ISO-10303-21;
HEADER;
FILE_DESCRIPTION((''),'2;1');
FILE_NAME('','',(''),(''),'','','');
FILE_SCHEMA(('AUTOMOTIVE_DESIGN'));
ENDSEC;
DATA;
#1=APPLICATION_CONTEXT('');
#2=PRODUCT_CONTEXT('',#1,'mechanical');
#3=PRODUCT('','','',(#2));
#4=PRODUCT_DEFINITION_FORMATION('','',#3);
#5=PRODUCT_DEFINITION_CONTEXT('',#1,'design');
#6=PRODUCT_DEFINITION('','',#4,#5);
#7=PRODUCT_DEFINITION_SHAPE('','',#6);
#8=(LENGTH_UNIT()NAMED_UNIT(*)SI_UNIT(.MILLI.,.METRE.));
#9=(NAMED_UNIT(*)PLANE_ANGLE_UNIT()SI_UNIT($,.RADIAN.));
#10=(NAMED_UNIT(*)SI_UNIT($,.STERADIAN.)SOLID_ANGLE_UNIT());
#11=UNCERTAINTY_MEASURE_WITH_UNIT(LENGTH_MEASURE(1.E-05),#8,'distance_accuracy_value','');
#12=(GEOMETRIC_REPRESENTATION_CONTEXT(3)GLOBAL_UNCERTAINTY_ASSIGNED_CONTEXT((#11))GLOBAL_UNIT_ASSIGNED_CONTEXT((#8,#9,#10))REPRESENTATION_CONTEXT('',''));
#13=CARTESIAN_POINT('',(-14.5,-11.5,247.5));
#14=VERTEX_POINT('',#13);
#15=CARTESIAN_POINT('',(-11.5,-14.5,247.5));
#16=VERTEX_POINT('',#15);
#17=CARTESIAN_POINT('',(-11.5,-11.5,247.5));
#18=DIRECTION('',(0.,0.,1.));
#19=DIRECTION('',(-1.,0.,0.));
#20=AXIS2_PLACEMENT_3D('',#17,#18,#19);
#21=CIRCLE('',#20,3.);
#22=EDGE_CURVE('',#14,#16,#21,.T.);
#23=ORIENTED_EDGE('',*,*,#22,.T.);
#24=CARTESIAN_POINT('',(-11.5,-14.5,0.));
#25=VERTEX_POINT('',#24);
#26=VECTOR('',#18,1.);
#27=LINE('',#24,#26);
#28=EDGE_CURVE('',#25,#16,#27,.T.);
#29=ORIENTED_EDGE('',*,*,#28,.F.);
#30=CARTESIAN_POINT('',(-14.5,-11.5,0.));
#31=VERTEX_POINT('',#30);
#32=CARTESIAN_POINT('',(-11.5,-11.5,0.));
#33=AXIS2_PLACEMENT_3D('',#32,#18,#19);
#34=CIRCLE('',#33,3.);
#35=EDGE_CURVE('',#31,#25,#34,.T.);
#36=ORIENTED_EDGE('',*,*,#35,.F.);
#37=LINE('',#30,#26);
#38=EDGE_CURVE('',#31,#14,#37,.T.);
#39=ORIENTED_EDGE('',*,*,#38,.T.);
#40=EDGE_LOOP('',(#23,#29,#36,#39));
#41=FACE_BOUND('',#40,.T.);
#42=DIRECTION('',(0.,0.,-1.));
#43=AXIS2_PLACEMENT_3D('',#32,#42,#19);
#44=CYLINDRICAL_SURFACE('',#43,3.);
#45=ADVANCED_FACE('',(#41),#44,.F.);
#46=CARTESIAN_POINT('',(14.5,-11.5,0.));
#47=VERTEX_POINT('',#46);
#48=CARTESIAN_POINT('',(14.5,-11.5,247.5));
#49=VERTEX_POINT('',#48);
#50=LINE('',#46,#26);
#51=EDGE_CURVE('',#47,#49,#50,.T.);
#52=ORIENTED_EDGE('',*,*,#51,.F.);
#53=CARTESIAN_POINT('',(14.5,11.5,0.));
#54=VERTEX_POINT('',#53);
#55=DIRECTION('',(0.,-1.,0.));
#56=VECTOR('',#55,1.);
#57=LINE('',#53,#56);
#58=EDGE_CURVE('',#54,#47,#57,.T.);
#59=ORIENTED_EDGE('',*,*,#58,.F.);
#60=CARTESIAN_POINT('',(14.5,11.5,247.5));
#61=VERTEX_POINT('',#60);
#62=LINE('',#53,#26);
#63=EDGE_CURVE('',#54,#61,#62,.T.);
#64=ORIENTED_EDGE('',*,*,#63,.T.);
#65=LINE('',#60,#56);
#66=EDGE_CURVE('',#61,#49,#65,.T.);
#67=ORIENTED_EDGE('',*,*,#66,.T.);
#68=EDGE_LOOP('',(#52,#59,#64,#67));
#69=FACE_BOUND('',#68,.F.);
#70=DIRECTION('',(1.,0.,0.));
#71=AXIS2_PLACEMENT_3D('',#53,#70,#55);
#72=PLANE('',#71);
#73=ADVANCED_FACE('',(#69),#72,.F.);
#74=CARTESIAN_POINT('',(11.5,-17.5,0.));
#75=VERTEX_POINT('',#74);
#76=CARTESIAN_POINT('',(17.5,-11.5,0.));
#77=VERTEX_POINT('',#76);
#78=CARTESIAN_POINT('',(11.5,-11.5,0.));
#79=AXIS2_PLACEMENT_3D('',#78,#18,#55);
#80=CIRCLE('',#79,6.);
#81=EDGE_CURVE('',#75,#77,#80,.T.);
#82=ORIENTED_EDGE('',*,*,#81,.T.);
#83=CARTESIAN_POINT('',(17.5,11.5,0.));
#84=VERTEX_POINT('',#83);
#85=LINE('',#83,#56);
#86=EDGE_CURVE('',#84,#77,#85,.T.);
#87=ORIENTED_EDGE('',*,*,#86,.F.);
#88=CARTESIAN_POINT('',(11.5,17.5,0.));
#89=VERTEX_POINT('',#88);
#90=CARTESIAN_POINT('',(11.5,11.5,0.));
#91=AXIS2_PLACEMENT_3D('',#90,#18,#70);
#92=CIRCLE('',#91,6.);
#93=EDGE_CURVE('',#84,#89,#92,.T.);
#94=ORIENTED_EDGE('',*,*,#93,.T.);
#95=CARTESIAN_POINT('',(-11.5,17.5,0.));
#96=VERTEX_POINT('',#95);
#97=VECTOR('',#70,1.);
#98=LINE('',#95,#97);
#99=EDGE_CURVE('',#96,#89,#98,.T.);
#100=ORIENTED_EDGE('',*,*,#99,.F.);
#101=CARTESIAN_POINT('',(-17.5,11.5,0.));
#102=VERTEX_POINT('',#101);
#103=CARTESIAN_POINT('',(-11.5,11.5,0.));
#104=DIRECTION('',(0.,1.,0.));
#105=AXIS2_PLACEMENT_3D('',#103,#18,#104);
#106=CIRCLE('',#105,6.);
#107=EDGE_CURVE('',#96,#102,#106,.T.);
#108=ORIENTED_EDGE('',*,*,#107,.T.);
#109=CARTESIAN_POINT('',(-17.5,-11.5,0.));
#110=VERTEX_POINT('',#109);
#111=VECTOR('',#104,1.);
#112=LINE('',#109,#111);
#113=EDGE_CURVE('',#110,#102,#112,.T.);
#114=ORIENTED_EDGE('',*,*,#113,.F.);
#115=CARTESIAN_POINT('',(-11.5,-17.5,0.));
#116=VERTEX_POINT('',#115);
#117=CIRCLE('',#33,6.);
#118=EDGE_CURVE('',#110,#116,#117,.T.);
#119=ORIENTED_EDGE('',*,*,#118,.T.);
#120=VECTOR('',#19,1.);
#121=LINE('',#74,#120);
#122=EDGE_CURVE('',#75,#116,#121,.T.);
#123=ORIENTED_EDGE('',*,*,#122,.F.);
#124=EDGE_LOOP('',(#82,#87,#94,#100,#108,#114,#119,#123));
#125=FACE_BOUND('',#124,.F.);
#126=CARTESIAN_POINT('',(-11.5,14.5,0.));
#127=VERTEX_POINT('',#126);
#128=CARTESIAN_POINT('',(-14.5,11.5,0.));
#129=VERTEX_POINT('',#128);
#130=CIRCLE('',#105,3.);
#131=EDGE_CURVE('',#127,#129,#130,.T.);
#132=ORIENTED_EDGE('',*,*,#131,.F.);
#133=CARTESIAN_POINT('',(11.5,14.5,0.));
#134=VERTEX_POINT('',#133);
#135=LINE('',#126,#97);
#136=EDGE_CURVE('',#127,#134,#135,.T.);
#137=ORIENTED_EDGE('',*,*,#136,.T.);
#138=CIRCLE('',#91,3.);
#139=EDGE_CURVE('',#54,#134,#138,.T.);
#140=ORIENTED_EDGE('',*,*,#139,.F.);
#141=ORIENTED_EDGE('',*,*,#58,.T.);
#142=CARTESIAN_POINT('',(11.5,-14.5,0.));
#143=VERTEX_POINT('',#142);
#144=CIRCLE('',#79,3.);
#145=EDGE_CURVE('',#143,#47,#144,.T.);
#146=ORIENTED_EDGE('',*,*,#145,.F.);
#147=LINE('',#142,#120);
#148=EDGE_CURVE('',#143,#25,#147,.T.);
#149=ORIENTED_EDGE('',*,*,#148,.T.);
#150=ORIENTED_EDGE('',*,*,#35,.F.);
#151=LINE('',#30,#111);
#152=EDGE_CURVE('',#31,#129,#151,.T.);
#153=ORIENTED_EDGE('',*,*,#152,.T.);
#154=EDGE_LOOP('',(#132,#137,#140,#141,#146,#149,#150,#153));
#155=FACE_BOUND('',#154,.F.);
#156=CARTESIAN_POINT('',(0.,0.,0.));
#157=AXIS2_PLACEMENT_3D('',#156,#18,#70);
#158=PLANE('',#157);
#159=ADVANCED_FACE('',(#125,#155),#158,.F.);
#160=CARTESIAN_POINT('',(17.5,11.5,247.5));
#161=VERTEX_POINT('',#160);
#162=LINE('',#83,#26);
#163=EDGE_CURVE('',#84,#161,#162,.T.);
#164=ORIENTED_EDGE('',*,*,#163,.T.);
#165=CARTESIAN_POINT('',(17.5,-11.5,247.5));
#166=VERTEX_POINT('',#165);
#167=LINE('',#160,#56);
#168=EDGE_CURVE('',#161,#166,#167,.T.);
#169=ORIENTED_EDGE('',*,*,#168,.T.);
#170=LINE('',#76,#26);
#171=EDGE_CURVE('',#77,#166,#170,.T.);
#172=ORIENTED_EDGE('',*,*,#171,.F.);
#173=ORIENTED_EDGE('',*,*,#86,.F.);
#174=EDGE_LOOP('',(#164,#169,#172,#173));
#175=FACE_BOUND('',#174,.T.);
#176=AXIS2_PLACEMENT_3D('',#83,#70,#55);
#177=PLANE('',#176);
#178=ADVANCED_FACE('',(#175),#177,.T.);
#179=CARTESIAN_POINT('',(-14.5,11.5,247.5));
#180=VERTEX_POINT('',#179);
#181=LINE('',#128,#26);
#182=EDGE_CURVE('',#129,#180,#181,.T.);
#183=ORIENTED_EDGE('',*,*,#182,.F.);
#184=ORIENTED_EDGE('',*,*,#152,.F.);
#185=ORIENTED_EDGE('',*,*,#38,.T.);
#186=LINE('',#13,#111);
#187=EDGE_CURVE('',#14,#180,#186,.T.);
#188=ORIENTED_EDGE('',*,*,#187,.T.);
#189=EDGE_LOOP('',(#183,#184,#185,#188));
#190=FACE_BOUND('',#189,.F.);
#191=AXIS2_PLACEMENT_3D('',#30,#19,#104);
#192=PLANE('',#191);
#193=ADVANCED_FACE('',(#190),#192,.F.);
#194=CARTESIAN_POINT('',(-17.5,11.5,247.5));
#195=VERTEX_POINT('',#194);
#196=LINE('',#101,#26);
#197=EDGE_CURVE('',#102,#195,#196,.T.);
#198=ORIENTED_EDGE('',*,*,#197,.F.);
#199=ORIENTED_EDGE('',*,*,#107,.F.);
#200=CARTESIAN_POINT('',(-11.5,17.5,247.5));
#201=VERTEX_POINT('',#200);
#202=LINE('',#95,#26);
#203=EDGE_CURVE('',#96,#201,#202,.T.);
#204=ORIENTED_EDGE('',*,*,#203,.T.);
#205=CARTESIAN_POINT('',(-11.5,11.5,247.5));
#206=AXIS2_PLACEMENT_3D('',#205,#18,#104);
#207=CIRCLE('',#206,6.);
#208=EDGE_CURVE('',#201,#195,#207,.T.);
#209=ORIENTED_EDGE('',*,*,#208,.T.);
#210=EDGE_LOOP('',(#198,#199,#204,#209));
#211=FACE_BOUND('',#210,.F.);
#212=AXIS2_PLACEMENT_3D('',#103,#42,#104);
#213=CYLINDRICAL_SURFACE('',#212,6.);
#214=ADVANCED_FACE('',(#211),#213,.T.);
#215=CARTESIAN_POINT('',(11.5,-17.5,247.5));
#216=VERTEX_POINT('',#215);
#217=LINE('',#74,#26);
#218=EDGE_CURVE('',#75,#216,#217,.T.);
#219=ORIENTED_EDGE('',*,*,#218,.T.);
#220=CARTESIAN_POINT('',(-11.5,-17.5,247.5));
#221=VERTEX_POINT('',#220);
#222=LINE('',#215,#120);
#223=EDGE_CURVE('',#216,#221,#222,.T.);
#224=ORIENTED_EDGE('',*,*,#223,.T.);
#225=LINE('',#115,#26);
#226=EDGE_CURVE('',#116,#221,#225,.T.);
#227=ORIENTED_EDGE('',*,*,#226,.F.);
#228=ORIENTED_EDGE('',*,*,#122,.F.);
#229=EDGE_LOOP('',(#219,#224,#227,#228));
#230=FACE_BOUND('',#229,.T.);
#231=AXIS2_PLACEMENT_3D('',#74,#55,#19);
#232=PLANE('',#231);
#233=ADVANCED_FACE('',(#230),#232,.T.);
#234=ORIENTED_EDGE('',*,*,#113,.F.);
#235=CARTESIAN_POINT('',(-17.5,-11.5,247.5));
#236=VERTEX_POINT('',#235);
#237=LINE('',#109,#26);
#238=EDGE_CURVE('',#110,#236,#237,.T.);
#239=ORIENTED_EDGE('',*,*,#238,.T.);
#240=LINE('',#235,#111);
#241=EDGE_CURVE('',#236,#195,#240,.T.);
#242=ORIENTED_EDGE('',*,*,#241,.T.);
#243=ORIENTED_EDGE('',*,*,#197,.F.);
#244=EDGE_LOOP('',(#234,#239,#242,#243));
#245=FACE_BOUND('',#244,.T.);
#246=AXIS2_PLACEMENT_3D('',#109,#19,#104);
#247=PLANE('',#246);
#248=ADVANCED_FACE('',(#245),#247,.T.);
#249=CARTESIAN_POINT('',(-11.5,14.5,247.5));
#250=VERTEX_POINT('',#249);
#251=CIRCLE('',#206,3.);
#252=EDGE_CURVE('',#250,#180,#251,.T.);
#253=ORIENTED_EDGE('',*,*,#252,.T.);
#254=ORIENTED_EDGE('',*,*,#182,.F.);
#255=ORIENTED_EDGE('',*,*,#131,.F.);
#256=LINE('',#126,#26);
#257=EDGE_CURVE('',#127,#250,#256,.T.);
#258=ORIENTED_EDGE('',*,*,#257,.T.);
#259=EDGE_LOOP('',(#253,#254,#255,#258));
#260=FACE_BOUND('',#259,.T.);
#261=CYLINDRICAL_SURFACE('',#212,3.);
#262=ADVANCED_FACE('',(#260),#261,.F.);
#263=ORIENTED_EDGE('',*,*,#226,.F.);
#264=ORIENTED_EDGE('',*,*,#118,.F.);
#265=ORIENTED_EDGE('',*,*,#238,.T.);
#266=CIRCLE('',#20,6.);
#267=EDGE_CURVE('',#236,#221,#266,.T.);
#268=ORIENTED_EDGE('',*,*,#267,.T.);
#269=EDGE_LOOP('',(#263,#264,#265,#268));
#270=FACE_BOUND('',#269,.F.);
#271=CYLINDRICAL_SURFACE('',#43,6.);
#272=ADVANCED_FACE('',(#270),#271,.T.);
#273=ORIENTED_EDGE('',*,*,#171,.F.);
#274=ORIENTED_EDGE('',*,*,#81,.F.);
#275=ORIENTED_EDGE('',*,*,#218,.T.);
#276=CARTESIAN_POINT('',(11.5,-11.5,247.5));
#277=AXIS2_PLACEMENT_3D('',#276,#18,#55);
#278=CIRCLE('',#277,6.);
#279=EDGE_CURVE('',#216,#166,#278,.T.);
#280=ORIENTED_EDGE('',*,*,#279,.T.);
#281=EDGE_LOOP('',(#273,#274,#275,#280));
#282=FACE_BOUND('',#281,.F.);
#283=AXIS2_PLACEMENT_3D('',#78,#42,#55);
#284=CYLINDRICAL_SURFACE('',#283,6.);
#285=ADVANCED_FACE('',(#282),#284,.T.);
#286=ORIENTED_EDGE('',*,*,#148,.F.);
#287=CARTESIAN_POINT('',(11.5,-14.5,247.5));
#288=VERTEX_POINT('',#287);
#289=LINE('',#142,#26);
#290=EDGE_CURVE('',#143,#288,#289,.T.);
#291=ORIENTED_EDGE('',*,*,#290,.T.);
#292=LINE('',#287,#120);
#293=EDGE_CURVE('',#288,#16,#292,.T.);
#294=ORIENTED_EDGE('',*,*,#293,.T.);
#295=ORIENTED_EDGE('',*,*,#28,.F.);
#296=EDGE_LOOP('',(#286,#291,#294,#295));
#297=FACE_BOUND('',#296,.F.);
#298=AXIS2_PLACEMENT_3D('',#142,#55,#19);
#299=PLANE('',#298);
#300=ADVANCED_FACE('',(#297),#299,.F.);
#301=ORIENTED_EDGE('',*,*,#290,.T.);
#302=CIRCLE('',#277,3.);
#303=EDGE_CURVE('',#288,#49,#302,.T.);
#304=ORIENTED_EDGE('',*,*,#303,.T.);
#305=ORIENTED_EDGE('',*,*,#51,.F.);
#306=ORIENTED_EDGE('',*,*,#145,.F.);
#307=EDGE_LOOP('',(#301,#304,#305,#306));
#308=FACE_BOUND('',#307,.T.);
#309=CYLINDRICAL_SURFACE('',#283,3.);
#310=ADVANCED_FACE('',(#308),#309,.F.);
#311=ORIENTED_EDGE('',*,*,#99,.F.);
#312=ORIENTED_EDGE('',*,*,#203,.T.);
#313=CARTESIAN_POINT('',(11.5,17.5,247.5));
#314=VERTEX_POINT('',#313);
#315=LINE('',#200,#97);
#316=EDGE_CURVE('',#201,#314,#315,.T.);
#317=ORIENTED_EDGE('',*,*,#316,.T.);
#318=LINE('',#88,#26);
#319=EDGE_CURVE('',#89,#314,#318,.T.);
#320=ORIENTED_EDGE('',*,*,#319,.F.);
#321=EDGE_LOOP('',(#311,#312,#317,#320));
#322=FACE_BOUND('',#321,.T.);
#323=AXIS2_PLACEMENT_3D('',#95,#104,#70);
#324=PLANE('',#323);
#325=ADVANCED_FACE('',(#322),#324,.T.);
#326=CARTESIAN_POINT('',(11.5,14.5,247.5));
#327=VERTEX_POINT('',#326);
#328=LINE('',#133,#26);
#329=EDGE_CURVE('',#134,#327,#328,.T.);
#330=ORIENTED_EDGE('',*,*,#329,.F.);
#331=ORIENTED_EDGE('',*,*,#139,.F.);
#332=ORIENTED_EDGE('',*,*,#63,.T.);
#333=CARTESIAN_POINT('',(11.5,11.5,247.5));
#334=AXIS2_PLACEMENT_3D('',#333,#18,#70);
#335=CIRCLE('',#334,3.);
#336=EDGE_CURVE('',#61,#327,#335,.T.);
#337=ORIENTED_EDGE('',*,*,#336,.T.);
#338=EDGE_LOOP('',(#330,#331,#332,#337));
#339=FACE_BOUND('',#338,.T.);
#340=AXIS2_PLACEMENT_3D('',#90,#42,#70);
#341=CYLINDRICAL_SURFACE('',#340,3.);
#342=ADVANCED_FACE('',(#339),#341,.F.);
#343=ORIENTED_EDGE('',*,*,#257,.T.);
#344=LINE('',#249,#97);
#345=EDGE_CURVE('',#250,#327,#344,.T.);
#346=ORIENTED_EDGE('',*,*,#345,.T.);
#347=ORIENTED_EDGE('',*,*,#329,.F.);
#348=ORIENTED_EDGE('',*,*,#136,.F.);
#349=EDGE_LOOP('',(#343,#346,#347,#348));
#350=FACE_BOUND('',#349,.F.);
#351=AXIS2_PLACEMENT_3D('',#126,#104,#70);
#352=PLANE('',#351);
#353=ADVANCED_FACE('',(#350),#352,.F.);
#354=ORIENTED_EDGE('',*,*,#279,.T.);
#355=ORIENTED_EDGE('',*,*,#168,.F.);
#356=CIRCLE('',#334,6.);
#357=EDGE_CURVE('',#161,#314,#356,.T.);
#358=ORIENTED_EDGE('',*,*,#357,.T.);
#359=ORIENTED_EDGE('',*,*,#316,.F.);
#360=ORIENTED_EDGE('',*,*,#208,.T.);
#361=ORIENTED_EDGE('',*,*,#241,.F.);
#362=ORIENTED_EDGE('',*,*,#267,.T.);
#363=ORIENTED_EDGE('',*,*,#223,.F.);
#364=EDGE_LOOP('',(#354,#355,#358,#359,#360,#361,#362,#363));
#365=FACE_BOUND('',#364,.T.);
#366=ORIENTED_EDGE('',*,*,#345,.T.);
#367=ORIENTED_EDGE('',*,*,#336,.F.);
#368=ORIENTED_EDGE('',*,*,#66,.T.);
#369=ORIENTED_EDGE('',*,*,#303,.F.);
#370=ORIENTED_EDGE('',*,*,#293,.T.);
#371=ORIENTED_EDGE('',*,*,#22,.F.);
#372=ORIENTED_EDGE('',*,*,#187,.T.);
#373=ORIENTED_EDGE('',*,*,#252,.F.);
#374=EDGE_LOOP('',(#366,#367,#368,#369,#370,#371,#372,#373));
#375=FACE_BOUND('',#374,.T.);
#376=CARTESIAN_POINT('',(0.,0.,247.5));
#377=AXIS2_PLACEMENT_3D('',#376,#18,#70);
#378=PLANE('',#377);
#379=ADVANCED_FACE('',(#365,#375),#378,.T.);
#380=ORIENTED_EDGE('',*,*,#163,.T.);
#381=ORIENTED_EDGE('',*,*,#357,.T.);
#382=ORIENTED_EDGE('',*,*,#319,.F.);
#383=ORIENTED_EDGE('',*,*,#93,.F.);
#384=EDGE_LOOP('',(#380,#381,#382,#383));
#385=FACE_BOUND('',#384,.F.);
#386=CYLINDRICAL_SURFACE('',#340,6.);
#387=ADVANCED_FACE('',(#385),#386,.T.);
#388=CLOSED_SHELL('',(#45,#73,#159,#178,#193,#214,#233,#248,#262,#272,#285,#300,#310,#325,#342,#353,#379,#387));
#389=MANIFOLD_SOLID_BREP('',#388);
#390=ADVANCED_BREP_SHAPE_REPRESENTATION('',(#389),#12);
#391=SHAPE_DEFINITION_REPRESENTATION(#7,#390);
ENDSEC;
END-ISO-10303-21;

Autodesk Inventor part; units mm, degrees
ref_plane "YZ Plane" through (0, 0, 0) normal (1, 0, 0) x (0, 1, 0)
ref_plane "Počáteční rovina" through (0, 0, 0) normal (0, 0, 1) x (1, 0, 0)
ref_plane "Koncová rovina" through (0, 0, 250) normal (0, 0, 1) x (1, 0, 0)
sketch "Náčrt1" plane through (0, 0, 0) normal (0, 0, 1) x (1, 0, 0)
  line L0 (-11.5, 17.5) -> (11.5, 17.5)
  line L1 (17.5, 11.5) -> (17.5, -11.5)
  line L2 (11.5, -17.5) -> (-11.5, -17.5)
  line L3 (-17.5, -11.5) -> (-17.5, 11.5)
  arc A0 (-11.5, 17.5) -> (-17.5, 11.5) centre (-11.5, 11.5) ccw
  arc A1 (17.5, 11.5) -> (11.5, 17.5) centre (11.5, 11.5) ccw
  arc A2 (11.5, -17.5) -> (17.5, -11.5) centre (11.5, -11.5) ccw
  arc A3 (-17.5, -11.5) -> (-11.5, -17.5) centre (-11.5, -11.5) ccw
  line L4 (-26.2397, 0) -> (26.2397, 0) construction
  line L5 (0, -26.2397) -> (0, 26.2397) construction
  arc A4 (-11.5, 14.5) -> (-14.5, 11.5) centre (-11.5, 11.5) ccw
  line L6 (-11.5, 14.5) -> (11.5, 14.5)
  arc A5 (14.5, 11.5) -> (11.5, 14.5) centre (11.5, 11.5) ccw
  line L7 (14.5, 11.5) -> (14.5, -11.5)
  arc A6 (11.5, -14.5) -> (14.5, -11.5) centre (11.5, -11.5) ccw
  line L8 (11.5, -14.5) -> (-11.5, -14.5)
  arc A7 (-14.5, -11.5) -> (-11.5, -14.5) centre (-11.5, -11.5) ccw
  line L9 (-14.5, -11.5) -> (-14.5, 11.5)
  point P0 (-17.5, 17.5)
  point P1 (17.5, -17.5)
  point P2 (17.5, 17.5)
  dimension "b" = 35
  dimension "msp_r" = 6
  dimension "d8" = 17.5
  dimension "d9" = 17.5
  dimension "d10" = 3
extrude "Těleso" add sketch "Náčrt1" along normal blind 247.5
sketch "Sketch2" plane through (0, 0, 0) normal (0, 0, 1) x (1, 0, 0)
  line L0 (0, 0) -> (10, 0)
ref_plane "Work Plane3" through (0, 0, 0) normal (0, -1, 0) x (1, 0, 0)
sketch "Sketch3" plane through (0, 0, 0) normal (0, -1, 0) x (1, 0, 0)
  line L0 (-2, 0) -> (12, 0)
  line L1 (-2, 250) -> (12, 250)
  dimension "d14" = 250
equation "\"msp_r\" = 2 * ParT"
equation "\"d8\" = d9"
equation "\"d9\" = 0.5 * b"
equation "\"d10\" = ParT"
equation "\"G_OFFSET_START\" = 0"
equation "\"G_OFFSET_END\" = 0"
equation "\"G_L\" = d14"
equation "\"ParT\" = 3"
properties part number "CSN 426935 - 35x35x3-250" material "Nerezová ocel"
